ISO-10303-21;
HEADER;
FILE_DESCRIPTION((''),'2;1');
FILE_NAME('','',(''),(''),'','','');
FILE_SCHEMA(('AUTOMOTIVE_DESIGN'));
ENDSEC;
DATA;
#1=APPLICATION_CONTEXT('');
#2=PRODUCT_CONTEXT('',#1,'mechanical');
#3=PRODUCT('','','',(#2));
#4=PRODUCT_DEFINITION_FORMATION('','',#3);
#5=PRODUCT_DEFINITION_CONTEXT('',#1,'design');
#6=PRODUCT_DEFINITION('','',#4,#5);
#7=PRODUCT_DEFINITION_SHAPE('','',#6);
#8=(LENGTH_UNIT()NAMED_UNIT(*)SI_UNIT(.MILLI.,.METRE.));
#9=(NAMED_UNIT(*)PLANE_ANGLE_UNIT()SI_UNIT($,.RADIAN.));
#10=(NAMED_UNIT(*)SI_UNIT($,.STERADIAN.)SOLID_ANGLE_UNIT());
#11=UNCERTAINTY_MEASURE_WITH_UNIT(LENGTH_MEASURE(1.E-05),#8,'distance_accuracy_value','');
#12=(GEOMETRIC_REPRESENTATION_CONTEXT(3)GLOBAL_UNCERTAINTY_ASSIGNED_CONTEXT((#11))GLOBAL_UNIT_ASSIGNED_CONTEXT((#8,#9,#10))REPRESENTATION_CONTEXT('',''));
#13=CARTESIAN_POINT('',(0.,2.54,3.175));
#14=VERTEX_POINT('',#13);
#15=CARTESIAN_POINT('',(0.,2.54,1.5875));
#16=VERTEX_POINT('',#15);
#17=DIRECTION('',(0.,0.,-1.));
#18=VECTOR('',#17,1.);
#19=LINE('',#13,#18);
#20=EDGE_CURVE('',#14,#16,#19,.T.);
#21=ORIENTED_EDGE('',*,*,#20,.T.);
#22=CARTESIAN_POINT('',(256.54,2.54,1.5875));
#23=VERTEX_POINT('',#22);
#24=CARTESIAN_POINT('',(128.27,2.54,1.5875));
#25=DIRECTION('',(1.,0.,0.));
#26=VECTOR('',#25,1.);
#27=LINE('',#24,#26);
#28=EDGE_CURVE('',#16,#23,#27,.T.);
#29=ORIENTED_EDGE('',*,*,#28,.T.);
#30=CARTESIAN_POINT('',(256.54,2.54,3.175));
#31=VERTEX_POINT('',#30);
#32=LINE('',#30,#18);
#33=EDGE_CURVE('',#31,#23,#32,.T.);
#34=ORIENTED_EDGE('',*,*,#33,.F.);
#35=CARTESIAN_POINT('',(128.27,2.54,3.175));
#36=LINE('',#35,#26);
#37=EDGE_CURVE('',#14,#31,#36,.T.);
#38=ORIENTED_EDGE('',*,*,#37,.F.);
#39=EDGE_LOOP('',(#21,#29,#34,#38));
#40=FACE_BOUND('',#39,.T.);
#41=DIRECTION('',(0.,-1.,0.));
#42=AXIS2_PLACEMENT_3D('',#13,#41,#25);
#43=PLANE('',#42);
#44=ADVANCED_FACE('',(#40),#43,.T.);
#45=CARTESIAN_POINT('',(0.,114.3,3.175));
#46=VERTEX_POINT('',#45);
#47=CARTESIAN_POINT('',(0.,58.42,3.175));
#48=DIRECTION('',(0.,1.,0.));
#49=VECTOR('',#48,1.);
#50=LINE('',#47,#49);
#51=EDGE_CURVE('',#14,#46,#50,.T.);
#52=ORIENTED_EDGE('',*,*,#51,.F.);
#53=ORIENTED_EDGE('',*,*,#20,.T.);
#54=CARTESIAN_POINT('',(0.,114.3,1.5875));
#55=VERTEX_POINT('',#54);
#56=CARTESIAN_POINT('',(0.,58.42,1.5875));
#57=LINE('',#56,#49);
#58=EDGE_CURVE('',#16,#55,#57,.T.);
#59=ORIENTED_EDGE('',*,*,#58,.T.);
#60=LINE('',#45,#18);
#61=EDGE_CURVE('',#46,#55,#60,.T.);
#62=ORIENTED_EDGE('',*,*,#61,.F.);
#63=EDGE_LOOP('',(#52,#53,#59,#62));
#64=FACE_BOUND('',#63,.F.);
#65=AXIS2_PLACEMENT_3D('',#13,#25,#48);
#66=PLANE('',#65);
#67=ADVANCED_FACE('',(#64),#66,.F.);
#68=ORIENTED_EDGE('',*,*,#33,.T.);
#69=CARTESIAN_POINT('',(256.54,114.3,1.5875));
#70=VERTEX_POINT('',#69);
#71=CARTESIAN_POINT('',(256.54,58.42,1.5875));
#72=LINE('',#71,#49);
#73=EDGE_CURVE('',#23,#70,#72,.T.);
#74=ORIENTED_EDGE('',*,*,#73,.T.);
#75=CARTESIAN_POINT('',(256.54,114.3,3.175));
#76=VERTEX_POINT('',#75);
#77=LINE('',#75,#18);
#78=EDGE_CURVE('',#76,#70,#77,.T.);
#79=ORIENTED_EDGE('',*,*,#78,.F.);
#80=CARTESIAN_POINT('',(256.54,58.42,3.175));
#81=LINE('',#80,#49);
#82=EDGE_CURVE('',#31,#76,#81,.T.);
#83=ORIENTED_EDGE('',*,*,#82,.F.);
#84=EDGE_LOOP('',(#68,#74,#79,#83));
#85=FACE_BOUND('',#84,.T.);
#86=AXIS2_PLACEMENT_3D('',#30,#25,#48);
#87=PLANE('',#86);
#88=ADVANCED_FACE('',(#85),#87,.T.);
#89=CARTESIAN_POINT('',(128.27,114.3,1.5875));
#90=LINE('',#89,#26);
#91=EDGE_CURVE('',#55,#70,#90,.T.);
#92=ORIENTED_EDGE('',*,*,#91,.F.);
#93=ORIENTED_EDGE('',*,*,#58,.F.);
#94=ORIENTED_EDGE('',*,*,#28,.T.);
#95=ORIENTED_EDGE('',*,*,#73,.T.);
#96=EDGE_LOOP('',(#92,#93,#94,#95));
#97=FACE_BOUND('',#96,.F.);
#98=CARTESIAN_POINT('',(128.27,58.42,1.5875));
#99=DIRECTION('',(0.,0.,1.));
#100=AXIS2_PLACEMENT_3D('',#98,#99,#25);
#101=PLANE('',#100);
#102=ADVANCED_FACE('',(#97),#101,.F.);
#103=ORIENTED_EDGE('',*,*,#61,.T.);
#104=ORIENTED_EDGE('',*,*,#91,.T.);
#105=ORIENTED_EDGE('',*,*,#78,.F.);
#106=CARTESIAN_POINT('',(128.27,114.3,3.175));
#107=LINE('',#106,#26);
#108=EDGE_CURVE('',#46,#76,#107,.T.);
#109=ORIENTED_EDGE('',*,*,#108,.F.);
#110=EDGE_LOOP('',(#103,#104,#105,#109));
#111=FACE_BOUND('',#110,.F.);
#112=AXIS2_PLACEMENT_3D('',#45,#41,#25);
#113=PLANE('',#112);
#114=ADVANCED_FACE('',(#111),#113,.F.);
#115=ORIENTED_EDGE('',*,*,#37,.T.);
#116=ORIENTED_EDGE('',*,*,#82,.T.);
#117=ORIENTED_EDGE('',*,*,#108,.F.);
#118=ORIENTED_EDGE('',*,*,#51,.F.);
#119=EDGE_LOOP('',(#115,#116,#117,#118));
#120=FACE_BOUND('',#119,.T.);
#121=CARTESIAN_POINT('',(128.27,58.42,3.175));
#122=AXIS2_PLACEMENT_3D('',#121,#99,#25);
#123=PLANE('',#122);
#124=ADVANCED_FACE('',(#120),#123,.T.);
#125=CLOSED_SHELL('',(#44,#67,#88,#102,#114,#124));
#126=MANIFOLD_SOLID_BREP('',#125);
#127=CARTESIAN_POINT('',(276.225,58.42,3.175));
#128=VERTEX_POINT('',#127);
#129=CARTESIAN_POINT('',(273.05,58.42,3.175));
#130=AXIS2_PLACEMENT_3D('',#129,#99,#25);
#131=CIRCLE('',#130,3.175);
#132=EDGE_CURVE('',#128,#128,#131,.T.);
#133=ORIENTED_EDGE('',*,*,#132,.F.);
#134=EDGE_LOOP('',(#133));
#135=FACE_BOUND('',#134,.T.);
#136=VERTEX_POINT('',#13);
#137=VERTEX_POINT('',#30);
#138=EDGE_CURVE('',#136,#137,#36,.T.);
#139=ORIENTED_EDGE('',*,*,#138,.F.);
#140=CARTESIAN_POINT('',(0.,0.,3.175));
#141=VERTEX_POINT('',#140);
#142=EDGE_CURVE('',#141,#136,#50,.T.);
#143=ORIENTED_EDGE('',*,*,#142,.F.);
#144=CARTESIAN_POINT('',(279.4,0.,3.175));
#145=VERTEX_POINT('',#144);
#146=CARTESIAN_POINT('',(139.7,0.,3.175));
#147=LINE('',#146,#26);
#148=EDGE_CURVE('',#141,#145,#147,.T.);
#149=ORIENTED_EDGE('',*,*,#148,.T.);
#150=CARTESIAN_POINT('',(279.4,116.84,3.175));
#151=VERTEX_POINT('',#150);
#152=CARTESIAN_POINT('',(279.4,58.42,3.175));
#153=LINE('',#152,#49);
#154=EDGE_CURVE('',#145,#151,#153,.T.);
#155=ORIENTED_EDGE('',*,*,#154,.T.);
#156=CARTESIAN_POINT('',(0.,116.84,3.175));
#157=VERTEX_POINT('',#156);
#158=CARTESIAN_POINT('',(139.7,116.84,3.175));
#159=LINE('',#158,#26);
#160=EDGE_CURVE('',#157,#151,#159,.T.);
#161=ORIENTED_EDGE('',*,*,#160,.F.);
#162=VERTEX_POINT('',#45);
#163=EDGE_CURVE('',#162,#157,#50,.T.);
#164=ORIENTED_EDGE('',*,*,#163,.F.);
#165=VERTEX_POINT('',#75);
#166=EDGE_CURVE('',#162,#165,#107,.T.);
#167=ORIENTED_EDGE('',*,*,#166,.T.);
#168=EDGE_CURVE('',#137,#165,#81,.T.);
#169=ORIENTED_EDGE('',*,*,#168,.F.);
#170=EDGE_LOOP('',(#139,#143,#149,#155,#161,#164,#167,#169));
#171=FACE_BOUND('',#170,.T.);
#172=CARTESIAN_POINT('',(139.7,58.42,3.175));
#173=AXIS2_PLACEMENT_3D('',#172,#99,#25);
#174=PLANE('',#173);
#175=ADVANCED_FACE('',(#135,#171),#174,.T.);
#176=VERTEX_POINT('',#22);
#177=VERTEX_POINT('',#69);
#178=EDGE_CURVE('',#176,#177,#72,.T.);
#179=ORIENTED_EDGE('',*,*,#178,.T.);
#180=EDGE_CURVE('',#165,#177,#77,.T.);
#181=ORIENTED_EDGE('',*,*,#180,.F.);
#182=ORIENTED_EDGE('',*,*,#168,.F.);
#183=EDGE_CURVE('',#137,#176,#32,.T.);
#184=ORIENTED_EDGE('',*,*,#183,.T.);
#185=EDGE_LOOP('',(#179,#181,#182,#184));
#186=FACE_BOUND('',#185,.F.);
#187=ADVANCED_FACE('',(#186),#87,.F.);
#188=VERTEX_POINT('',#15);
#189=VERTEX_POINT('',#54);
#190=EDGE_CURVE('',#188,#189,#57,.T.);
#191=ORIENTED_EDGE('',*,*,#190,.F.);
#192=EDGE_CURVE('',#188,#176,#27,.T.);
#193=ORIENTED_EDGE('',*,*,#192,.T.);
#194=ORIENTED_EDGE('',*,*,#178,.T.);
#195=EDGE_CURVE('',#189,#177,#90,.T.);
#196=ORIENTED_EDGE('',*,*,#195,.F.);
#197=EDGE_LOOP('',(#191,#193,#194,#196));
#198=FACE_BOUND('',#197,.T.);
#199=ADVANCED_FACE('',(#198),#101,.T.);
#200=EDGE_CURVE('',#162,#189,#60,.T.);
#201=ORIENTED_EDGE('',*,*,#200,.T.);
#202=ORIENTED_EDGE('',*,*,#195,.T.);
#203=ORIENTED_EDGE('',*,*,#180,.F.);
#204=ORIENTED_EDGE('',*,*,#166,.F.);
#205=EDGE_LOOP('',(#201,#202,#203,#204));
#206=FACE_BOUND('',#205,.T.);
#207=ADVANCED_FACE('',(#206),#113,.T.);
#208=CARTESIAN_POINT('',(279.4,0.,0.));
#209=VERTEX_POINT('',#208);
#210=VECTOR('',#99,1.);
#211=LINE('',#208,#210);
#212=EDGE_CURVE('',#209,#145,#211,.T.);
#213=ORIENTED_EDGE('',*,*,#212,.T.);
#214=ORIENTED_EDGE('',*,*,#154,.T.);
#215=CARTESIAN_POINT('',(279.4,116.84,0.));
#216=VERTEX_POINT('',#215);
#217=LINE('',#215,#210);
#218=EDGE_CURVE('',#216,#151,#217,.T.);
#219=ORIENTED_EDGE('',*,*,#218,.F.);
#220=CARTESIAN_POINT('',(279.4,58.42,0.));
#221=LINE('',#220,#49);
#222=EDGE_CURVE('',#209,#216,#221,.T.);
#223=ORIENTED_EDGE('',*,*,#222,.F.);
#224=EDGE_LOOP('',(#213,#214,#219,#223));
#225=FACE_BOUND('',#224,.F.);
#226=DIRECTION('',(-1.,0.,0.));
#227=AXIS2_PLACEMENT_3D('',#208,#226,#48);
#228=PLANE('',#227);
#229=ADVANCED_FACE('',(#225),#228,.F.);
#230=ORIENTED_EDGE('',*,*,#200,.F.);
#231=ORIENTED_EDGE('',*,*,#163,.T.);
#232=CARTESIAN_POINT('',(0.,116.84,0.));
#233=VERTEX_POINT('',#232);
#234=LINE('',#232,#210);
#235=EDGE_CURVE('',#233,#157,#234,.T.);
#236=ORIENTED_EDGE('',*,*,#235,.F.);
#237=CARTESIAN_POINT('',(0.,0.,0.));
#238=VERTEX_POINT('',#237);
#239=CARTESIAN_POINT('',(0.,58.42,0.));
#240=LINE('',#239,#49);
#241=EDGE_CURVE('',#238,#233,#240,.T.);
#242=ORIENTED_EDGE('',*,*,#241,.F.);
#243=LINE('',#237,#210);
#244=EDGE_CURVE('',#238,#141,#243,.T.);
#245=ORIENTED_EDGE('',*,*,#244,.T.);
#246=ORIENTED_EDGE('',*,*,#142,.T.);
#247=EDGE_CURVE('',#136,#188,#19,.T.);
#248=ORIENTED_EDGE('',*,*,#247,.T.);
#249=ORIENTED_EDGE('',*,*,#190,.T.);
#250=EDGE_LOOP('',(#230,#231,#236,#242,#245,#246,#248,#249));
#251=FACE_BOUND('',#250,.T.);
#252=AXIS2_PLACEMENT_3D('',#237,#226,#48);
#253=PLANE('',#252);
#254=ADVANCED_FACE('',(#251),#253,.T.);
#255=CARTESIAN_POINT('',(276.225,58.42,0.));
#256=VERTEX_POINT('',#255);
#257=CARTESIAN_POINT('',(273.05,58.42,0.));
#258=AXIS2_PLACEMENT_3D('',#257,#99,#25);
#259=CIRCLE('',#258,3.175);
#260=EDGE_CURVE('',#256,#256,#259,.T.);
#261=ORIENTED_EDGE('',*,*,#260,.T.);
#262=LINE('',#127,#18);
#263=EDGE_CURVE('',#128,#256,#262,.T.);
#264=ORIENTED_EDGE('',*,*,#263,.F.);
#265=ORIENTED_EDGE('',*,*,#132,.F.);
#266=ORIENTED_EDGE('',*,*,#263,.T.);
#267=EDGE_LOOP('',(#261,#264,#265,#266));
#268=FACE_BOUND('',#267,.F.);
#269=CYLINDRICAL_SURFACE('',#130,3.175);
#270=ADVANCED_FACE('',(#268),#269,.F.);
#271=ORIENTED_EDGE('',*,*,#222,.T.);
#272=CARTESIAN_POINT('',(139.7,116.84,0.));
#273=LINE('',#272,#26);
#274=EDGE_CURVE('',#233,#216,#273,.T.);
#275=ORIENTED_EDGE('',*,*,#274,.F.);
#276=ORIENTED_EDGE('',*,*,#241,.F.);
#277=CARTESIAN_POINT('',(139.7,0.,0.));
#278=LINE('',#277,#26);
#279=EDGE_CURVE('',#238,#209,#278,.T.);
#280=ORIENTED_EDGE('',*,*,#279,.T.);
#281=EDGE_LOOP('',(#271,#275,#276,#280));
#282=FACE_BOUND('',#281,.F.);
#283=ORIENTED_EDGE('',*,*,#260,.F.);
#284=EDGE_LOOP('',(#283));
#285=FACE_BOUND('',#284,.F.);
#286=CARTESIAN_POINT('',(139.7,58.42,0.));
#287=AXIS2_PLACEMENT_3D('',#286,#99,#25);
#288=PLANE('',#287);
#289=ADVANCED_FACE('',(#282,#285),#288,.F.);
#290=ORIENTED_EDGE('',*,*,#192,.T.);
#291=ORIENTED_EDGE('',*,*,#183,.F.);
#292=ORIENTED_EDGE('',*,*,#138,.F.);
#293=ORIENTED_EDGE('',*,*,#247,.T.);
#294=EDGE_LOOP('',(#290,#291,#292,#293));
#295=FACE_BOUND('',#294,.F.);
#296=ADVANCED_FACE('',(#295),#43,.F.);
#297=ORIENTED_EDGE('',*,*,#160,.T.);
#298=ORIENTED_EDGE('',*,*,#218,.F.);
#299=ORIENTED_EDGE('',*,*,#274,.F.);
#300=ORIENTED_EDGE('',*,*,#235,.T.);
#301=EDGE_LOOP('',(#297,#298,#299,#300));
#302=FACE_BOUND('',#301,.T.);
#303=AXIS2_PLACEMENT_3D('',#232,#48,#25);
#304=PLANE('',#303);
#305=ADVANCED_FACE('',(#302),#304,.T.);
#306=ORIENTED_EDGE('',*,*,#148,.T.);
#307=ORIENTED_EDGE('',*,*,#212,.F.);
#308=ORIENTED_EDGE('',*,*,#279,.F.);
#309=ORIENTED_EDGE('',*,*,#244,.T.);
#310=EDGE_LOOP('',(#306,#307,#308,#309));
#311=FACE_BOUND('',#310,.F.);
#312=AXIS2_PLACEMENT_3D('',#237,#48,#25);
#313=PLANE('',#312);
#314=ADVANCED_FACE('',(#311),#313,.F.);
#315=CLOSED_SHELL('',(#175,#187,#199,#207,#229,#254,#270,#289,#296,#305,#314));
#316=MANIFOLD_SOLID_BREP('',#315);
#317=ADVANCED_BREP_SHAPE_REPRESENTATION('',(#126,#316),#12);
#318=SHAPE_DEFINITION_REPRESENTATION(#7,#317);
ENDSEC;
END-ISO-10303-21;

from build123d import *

# Parameters (mm, degrees)
F0_W     = 279.4
F0_H     = 116.84
F1_DEPTH = 3.175
F2_R     = 3.175
F3_DEPTH = 3.176
F4_W     = 256.54
F4_H     = 111.76
F5_DEPTH = 1.5875
F6_DEPTH = 1.5875


with BuildPart() as f1:
    # F0 (on Top) → F1 (new body)
    with BuildSketch(Plane.XY):
        with Locations((139.7, 58.42)):
            Rectangle(F0_W, F0_H)
    extrude(amount=F1_DEPTH)

    # F2 (on face) → F3 (cut, through all)
    with BuildSketch(Plane.XY.offset(3.175)):
        with Locations((273.05, 58.42)):
            Circle(F2_R)
    extrude(amount=-F3_DEPTH, mode=Mode.SUBTRACT)

    # F4 (on face) → F5 (cut)
    with BuildSketch(Plane.XY.offset(3.175)):
        with Locations((128.27, 58.42)):
            Rectangle(F4_W, F4_H)
    extrude(amount=-F5_DEPTH, mode=Mode.SUBTRACT)


with BuildPart() as f6:
    # F4 (on face) → F6 (new body)
    with BuildSketch(Plane.XY.offset(3.175)):
        with Locations((128.27, 58.42)):
            Rectangle(F4_W, F4_H)
    extrude(amount=-F6_DEPTH)


solid = Compound([f1.part, f6.part])
